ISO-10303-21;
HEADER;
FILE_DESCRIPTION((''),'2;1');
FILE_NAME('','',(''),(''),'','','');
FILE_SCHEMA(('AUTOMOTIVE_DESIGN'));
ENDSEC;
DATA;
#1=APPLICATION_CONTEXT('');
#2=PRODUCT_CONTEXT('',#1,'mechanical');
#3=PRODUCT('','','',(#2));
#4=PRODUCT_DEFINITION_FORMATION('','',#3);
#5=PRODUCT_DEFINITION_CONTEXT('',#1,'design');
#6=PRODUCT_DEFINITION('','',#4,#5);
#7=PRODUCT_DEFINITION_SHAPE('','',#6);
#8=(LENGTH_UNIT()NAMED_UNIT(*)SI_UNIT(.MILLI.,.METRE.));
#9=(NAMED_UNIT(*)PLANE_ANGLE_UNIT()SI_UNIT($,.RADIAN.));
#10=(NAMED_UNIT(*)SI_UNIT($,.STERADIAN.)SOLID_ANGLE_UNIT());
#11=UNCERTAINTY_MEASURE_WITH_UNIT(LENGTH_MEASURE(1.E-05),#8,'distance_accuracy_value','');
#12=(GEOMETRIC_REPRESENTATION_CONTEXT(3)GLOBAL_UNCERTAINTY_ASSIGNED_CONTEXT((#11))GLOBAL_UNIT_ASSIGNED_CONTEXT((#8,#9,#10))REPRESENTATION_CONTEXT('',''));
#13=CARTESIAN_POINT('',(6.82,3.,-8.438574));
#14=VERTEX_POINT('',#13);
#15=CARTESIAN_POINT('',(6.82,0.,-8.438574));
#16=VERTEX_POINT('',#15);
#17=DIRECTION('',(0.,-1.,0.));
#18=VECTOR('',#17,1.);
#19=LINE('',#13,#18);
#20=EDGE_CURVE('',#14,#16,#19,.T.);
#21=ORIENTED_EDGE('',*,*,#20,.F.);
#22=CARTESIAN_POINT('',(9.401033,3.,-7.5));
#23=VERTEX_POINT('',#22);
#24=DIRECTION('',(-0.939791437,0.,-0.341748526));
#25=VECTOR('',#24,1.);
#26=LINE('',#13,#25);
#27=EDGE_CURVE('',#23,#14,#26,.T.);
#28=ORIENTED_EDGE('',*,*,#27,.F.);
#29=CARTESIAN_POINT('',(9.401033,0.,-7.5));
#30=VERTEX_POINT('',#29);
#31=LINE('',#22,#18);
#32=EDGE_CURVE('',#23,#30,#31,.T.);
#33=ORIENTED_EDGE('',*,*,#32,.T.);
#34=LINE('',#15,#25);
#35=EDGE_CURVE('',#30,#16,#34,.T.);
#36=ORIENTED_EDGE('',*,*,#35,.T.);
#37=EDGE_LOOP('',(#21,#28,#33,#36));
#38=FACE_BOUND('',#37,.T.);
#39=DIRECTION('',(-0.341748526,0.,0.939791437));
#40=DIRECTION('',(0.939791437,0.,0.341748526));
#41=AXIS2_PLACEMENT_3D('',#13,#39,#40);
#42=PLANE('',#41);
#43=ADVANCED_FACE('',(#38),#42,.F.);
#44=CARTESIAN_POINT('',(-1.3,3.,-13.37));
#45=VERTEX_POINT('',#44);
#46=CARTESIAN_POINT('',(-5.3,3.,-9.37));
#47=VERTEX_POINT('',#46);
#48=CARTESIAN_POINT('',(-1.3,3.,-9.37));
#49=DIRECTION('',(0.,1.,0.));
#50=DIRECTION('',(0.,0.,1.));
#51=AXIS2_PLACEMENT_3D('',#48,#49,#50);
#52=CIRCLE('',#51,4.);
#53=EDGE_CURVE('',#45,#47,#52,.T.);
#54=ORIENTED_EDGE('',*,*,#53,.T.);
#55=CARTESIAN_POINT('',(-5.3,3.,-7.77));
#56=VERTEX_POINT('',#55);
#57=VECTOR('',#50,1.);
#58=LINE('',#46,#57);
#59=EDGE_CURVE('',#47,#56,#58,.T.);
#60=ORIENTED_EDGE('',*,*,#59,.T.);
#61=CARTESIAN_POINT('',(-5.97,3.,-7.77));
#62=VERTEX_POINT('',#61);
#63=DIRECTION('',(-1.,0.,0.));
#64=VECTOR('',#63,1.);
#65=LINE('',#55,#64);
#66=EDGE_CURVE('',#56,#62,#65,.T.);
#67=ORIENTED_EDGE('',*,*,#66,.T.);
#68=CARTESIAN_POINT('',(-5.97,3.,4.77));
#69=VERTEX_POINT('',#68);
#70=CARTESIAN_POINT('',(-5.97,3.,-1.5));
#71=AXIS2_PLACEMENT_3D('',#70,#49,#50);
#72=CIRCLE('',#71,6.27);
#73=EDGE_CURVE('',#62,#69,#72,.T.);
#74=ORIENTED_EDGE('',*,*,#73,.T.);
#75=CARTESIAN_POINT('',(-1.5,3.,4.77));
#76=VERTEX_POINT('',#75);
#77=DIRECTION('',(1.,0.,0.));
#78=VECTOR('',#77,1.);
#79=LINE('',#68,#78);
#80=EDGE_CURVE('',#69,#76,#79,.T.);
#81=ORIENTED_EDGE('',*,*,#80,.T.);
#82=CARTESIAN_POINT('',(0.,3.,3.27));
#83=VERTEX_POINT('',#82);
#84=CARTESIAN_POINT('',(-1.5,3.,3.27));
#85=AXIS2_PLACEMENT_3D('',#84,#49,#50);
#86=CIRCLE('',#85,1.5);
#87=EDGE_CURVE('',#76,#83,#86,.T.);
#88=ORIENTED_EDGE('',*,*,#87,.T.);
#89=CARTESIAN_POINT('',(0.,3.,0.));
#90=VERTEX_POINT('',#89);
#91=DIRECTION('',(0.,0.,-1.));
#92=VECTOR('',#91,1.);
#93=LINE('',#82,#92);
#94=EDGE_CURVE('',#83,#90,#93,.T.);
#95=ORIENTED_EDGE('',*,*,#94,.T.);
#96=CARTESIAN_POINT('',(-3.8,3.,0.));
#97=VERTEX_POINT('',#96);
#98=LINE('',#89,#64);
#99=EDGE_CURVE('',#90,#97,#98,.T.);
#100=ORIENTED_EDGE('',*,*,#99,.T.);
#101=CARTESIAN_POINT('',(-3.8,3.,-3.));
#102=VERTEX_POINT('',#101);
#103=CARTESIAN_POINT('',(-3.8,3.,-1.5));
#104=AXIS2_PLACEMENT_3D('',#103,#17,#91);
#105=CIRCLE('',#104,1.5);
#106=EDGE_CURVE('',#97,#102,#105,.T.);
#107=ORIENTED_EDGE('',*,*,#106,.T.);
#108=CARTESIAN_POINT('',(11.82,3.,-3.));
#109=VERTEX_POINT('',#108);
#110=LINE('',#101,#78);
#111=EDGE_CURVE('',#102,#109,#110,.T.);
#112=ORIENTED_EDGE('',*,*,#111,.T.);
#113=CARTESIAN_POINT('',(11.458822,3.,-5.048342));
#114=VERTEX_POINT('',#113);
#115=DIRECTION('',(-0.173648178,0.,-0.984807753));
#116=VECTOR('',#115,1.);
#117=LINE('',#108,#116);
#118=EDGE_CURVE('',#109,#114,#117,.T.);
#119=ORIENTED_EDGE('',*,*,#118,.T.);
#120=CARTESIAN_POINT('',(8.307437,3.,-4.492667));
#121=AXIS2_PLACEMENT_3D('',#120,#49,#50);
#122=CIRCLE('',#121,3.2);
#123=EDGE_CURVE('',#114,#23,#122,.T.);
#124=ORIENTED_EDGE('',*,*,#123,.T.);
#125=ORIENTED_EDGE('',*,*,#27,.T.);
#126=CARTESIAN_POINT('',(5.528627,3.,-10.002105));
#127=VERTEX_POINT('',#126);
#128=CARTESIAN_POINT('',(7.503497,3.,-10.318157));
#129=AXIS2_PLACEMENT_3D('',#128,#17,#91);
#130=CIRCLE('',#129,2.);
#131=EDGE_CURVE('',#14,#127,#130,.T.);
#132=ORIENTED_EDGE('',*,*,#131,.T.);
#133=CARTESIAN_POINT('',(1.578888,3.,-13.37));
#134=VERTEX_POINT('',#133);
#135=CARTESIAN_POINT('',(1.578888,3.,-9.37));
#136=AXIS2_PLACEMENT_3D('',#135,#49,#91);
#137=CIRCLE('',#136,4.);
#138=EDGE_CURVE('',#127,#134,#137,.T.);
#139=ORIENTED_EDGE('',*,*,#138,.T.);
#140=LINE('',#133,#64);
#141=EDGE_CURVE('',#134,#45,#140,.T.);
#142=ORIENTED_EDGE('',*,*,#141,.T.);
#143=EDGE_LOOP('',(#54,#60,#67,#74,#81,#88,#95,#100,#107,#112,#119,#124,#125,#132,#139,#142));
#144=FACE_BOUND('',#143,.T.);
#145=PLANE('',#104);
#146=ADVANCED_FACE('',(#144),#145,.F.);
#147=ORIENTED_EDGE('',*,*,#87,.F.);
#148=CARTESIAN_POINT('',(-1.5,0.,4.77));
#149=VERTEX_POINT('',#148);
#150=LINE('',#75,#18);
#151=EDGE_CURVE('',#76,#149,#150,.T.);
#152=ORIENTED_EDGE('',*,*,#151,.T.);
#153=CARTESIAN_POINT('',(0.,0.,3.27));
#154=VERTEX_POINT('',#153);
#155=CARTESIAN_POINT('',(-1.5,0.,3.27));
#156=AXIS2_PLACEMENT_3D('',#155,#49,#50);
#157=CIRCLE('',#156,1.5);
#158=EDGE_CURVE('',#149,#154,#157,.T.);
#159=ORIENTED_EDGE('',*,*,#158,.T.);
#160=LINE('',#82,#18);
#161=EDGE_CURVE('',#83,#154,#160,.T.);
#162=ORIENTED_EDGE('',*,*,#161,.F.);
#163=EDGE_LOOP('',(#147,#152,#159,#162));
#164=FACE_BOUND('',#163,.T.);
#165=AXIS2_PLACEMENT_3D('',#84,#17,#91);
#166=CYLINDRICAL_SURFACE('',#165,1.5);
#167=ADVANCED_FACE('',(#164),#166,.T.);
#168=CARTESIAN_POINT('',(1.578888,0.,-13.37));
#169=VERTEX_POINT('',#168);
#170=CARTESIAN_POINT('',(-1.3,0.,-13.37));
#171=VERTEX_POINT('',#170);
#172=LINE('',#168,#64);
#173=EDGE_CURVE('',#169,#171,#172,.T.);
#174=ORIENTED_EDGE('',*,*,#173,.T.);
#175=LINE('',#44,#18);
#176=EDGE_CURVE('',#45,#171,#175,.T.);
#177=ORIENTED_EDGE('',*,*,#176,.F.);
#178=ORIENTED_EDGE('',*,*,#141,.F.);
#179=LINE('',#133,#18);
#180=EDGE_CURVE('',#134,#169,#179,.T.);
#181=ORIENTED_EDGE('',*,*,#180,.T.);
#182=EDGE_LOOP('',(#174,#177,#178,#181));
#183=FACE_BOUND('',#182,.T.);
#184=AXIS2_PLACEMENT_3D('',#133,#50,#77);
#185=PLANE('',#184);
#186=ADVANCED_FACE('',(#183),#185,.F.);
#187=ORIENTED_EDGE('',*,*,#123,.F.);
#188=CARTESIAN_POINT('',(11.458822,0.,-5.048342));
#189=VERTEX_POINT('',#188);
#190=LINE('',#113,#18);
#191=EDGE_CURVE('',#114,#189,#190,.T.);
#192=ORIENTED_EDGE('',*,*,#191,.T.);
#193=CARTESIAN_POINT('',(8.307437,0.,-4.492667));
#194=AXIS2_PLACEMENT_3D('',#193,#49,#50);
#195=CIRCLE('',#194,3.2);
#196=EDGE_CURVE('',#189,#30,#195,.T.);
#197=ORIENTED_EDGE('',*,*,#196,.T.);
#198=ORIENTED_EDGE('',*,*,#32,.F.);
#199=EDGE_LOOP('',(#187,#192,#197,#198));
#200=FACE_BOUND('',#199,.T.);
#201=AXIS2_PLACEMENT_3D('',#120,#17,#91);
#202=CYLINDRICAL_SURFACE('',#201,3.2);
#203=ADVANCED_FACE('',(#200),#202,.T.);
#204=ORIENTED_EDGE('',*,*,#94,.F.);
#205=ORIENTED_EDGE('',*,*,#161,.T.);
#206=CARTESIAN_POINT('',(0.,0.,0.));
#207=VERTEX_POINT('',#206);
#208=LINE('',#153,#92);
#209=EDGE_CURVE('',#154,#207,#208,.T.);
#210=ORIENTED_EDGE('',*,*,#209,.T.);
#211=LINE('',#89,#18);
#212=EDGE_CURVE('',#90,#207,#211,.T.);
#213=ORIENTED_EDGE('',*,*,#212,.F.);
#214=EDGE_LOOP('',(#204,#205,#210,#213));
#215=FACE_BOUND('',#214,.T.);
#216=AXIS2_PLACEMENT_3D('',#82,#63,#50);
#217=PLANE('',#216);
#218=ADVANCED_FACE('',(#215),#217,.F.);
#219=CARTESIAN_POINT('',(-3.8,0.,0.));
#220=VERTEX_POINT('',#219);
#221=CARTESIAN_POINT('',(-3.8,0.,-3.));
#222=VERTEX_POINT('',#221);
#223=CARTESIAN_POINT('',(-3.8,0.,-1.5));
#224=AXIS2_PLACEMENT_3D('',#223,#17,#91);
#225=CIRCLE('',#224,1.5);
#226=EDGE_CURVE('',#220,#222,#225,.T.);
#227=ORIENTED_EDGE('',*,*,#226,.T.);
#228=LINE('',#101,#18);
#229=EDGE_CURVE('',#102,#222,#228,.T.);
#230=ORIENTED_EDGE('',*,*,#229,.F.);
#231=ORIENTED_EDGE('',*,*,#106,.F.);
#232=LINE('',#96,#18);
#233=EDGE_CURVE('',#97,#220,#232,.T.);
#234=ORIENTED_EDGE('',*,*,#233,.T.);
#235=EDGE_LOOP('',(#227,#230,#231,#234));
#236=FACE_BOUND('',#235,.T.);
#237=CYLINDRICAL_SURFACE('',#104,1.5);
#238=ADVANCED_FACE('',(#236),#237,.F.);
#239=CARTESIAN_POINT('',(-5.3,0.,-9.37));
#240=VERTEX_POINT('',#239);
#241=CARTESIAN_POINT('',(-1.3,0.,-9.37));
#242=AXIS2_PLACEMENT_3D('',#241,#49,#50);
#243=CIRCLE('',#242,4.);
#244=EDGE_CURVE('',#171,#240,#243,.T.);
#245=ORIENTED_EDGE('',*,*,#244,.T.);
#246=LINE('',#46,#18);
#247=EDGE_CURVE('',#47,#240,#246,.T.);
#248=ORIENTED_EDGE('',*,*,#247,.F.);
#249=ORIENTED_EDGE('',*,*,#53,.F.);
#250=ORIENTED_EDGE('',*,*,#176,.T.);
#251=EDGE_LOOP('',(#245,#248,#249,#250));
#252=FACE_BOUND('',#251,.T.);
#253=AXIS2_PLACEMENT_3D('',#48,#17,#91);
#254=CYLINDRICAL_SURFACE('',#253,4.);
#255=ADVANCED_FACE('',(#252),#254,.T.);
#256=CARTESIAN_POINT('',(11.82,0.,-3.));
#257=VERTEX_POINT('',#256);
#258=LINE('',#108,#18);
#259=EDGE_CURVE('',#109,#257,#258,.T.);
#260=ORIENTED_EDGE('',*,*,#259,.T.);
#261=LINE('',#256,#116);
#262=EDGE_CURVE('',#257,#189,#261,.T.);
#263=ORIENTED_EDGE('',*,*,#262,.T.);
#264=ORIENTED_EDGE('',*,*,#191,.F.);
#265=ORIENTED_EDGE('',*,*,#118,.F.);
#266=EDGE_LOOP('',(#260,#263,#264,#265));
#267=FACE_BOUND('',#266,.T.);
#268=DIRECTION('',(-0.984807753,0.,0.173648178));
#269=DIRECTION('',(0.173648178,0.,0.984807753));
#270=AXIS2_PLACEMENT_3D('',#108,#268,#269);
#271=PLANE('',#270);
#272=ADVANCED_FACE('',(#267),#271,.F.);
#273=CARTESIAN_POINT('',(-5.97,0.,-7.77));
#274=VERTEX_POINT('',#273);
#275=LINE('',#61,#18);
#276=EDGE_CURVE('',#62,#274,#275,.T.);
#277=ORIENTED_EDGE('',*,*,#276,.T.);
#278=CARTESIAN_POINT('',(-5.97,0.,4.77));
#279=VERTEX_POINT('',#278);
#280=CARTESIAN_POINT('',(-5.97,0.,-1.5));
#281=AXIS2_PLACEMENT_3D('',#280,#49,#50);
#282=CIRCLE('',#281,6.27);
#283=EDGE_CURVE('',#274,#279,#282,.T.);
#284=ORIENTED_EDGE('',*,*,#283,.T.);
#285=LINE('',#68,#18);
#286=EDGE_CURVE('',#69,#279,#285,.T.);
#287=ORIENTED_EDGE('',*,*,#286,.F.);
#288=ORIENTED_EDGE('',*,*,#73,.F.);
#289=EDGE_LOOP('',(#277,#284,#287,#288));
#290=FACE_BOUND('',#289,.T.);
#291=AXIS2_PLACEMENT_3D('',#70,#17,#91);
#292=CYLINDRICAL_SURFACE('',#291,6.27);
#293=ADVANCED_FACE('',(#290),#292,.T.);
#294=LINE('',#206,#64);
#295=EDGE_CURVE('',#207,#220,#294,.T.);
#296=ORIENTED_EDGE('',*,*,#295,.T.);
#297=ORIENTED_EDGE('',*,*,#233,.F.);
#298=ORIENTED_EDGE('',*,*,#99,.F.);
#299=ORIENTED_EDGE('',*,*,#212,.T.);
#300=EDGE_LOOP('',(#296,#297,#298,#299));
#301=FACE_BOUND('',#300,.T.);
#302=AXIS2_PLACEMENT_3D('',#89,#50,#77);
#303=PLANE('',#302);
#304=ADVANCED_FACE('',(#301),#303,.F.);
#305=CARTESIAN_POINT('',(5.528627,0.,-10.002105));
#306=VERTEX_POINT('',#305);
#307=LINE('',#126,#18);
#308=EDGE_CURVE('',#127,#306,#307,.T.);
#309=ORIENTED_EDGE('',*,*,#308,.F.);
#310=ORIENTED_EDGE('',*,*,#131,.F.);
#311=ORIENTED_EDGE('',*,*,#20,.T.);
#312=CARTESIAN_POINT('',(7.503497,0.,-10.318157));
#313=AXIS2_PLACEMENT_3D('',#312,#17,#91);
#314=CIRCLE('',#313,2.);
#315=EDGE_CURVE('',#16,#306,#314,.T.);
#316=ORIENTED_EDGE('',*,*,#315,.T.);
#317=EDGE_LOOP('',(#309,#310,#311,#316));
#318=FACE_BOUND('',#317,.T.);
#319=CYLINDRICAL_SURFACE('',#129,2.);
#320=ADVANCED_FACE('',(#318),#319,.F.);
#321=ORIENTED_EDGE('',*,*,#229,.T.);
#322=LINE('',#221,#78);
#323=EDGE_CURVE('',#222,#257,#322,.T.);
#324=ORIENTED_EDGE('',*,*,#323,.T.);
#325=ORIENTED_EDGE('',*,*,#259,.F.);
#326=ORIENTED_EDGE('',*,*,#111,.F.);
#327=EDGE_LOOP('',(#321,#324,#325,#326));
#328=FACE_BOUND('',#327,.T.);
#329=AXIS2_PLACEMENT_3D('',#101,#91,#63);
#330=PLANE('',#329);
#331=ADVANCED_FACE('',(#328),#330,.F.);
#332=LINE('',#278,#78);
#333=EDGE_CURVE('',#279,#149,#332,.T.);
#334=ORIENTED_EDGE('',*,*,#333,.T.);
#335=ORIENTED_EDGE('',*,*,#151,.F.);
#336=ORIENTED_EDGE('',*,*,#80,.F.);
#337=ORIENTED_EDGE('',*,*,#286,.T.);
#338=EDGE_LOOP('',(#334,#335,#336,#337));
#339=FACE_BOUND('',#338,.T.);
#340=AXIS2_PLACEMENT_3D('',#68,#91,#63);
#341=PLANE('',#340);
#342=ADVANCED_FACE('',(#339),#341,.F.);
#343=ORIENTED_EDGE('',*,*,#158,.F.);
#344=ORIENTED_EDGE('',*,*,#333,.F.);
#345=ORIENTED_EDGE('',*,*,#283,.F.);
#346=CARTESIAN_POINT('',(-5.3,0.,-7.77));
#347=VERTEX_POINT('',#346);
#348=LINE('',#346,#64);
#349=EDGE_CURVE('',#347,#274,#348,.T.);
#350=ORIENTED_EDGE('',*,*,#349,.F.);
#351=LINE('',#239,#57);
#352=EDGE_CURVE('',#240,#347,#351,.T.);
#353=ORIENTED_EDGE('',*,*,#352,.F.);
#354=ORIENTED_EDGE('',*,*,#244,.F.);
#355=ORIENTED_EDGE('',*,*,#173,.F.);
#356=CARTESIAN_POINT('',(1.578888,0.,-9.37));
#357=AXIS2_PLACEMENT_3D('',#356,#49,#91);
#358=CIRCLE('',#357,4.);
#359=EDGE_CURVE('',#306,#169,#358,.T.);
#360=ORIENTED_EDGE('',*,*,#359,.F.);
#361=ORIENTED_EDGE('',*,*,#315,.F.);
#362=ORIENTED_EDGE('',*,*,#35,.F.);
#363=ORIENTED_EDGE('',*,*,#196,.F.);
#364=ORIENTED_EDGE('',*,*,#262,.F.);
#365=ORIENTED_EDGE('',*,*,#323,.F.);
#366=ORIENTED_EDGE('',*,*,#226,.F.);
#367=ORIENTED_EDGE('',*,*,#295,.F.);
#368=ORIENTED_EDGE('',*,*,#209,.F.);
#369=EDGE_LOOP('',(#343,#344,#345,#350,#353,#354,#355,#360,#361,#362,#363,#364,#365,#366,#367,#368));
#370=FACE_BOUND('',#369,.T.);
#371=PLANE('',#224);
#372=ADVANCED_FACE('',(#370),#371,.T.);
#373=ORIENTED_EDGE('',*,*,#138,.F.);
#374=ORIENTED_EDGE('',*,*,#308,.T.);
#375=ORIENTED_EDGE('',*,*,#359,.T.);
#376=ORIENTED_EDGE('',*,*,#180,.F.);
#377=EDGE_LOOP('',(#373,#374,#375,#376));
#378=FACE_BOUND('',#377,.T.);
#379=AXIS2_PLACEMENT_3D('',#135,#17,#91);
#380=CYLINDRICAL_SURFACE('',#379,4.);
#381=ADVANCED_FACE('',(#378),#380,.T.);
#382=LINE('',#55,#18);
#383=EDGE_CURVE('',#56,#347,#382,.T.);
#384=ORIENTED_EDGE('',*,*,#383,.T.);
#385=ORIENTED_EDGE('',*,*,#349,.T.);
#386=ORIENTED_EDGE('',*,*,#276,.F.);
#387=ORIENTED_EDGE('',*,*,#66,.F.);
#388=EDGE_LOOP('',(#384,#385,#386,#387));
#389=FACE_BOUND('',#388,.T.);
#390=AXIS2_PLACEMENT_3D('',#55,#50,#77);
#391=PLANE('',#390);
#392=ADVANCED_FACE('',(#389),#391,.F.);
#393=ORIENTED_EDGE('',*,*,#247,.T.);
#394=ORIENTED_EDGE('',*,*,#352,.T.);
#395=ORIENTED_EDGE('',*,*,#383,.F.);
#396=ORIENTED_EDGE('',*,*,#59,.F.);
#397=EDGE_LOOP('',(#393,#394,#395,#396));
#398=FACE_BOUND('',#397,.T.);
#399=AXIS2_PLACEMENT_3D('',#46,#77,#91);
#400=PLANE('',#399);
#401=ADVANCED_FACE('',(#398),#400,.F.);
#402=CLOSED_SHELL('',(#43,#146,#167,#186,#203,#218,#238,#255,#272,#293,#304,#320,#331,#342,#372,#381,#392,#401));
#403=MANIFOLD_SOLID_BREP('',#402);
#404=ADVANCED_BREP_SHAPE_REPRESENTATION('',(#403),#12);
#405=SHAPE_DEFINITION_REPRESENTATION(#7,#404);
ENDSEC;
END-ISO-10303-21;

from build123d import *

# Parameters (mm, degrees)
BOSS_EXTRUDE2_DEPTH = 3


with BuildPart() as part:
    # Sketch1 → Boss-Extrude2 (new body)
    with BuildSketch(Plane(origin=(0, 0, 0), x_dir=(1, 0, 0), z_dir=(0, 1, 0))):
        with BuildLine():
            Line((0, 0), (-3.8, 0))
            ThreePointArc((-3.8, 0), (-5.3, 1.5), (-3.8, 3))
            Line((-3.8, 3), (11.82, 3))
            Line((11.82, 3), (11.458822115, 5.04834157))
            ThreePointArc((11.458822115, 5.04834157), (10.758482238, 6.549941992), (9.401032589, 7.5))
            Line((9.401032589, 7.5), (6.82, 8.438574292))
            ThreePointArc((6.82, 8.438574292), (5.961457646, 9.044534587), (5.528627211, 10.002104777))
            ThreePointArc((5.528627211, 10.002104777), (4.17422767, 12.413716405), (1.57888753, 13.37))
            Line((1.57888753, 13.37), (-1.3, 13.37))
            ThreePointArc((-1.3, 13.37), (-4.128427125, 12.198427125), (-5.3, 9.37))
            Line((-5.3, 9.37), (-5.3, 7.77))
            Line((-5.3, 7.77), (-5.97, 7.77))
            ThreePointArc((-5.97, 7.77), (-12.24, 1.5), (-5.97, -4.77))
            Line((-5.97, -4.77), (-1.5, -4.77))
            ThreePointArc((-1.5, -4.77), (-0.439339828, -4.330660172), (0, -3.27))
            Line((0, -3.27), (0, 0))
        make_face()
    extrude(amount=BOSS_EXTRUDE2_DEPTH)


solid = part.part
